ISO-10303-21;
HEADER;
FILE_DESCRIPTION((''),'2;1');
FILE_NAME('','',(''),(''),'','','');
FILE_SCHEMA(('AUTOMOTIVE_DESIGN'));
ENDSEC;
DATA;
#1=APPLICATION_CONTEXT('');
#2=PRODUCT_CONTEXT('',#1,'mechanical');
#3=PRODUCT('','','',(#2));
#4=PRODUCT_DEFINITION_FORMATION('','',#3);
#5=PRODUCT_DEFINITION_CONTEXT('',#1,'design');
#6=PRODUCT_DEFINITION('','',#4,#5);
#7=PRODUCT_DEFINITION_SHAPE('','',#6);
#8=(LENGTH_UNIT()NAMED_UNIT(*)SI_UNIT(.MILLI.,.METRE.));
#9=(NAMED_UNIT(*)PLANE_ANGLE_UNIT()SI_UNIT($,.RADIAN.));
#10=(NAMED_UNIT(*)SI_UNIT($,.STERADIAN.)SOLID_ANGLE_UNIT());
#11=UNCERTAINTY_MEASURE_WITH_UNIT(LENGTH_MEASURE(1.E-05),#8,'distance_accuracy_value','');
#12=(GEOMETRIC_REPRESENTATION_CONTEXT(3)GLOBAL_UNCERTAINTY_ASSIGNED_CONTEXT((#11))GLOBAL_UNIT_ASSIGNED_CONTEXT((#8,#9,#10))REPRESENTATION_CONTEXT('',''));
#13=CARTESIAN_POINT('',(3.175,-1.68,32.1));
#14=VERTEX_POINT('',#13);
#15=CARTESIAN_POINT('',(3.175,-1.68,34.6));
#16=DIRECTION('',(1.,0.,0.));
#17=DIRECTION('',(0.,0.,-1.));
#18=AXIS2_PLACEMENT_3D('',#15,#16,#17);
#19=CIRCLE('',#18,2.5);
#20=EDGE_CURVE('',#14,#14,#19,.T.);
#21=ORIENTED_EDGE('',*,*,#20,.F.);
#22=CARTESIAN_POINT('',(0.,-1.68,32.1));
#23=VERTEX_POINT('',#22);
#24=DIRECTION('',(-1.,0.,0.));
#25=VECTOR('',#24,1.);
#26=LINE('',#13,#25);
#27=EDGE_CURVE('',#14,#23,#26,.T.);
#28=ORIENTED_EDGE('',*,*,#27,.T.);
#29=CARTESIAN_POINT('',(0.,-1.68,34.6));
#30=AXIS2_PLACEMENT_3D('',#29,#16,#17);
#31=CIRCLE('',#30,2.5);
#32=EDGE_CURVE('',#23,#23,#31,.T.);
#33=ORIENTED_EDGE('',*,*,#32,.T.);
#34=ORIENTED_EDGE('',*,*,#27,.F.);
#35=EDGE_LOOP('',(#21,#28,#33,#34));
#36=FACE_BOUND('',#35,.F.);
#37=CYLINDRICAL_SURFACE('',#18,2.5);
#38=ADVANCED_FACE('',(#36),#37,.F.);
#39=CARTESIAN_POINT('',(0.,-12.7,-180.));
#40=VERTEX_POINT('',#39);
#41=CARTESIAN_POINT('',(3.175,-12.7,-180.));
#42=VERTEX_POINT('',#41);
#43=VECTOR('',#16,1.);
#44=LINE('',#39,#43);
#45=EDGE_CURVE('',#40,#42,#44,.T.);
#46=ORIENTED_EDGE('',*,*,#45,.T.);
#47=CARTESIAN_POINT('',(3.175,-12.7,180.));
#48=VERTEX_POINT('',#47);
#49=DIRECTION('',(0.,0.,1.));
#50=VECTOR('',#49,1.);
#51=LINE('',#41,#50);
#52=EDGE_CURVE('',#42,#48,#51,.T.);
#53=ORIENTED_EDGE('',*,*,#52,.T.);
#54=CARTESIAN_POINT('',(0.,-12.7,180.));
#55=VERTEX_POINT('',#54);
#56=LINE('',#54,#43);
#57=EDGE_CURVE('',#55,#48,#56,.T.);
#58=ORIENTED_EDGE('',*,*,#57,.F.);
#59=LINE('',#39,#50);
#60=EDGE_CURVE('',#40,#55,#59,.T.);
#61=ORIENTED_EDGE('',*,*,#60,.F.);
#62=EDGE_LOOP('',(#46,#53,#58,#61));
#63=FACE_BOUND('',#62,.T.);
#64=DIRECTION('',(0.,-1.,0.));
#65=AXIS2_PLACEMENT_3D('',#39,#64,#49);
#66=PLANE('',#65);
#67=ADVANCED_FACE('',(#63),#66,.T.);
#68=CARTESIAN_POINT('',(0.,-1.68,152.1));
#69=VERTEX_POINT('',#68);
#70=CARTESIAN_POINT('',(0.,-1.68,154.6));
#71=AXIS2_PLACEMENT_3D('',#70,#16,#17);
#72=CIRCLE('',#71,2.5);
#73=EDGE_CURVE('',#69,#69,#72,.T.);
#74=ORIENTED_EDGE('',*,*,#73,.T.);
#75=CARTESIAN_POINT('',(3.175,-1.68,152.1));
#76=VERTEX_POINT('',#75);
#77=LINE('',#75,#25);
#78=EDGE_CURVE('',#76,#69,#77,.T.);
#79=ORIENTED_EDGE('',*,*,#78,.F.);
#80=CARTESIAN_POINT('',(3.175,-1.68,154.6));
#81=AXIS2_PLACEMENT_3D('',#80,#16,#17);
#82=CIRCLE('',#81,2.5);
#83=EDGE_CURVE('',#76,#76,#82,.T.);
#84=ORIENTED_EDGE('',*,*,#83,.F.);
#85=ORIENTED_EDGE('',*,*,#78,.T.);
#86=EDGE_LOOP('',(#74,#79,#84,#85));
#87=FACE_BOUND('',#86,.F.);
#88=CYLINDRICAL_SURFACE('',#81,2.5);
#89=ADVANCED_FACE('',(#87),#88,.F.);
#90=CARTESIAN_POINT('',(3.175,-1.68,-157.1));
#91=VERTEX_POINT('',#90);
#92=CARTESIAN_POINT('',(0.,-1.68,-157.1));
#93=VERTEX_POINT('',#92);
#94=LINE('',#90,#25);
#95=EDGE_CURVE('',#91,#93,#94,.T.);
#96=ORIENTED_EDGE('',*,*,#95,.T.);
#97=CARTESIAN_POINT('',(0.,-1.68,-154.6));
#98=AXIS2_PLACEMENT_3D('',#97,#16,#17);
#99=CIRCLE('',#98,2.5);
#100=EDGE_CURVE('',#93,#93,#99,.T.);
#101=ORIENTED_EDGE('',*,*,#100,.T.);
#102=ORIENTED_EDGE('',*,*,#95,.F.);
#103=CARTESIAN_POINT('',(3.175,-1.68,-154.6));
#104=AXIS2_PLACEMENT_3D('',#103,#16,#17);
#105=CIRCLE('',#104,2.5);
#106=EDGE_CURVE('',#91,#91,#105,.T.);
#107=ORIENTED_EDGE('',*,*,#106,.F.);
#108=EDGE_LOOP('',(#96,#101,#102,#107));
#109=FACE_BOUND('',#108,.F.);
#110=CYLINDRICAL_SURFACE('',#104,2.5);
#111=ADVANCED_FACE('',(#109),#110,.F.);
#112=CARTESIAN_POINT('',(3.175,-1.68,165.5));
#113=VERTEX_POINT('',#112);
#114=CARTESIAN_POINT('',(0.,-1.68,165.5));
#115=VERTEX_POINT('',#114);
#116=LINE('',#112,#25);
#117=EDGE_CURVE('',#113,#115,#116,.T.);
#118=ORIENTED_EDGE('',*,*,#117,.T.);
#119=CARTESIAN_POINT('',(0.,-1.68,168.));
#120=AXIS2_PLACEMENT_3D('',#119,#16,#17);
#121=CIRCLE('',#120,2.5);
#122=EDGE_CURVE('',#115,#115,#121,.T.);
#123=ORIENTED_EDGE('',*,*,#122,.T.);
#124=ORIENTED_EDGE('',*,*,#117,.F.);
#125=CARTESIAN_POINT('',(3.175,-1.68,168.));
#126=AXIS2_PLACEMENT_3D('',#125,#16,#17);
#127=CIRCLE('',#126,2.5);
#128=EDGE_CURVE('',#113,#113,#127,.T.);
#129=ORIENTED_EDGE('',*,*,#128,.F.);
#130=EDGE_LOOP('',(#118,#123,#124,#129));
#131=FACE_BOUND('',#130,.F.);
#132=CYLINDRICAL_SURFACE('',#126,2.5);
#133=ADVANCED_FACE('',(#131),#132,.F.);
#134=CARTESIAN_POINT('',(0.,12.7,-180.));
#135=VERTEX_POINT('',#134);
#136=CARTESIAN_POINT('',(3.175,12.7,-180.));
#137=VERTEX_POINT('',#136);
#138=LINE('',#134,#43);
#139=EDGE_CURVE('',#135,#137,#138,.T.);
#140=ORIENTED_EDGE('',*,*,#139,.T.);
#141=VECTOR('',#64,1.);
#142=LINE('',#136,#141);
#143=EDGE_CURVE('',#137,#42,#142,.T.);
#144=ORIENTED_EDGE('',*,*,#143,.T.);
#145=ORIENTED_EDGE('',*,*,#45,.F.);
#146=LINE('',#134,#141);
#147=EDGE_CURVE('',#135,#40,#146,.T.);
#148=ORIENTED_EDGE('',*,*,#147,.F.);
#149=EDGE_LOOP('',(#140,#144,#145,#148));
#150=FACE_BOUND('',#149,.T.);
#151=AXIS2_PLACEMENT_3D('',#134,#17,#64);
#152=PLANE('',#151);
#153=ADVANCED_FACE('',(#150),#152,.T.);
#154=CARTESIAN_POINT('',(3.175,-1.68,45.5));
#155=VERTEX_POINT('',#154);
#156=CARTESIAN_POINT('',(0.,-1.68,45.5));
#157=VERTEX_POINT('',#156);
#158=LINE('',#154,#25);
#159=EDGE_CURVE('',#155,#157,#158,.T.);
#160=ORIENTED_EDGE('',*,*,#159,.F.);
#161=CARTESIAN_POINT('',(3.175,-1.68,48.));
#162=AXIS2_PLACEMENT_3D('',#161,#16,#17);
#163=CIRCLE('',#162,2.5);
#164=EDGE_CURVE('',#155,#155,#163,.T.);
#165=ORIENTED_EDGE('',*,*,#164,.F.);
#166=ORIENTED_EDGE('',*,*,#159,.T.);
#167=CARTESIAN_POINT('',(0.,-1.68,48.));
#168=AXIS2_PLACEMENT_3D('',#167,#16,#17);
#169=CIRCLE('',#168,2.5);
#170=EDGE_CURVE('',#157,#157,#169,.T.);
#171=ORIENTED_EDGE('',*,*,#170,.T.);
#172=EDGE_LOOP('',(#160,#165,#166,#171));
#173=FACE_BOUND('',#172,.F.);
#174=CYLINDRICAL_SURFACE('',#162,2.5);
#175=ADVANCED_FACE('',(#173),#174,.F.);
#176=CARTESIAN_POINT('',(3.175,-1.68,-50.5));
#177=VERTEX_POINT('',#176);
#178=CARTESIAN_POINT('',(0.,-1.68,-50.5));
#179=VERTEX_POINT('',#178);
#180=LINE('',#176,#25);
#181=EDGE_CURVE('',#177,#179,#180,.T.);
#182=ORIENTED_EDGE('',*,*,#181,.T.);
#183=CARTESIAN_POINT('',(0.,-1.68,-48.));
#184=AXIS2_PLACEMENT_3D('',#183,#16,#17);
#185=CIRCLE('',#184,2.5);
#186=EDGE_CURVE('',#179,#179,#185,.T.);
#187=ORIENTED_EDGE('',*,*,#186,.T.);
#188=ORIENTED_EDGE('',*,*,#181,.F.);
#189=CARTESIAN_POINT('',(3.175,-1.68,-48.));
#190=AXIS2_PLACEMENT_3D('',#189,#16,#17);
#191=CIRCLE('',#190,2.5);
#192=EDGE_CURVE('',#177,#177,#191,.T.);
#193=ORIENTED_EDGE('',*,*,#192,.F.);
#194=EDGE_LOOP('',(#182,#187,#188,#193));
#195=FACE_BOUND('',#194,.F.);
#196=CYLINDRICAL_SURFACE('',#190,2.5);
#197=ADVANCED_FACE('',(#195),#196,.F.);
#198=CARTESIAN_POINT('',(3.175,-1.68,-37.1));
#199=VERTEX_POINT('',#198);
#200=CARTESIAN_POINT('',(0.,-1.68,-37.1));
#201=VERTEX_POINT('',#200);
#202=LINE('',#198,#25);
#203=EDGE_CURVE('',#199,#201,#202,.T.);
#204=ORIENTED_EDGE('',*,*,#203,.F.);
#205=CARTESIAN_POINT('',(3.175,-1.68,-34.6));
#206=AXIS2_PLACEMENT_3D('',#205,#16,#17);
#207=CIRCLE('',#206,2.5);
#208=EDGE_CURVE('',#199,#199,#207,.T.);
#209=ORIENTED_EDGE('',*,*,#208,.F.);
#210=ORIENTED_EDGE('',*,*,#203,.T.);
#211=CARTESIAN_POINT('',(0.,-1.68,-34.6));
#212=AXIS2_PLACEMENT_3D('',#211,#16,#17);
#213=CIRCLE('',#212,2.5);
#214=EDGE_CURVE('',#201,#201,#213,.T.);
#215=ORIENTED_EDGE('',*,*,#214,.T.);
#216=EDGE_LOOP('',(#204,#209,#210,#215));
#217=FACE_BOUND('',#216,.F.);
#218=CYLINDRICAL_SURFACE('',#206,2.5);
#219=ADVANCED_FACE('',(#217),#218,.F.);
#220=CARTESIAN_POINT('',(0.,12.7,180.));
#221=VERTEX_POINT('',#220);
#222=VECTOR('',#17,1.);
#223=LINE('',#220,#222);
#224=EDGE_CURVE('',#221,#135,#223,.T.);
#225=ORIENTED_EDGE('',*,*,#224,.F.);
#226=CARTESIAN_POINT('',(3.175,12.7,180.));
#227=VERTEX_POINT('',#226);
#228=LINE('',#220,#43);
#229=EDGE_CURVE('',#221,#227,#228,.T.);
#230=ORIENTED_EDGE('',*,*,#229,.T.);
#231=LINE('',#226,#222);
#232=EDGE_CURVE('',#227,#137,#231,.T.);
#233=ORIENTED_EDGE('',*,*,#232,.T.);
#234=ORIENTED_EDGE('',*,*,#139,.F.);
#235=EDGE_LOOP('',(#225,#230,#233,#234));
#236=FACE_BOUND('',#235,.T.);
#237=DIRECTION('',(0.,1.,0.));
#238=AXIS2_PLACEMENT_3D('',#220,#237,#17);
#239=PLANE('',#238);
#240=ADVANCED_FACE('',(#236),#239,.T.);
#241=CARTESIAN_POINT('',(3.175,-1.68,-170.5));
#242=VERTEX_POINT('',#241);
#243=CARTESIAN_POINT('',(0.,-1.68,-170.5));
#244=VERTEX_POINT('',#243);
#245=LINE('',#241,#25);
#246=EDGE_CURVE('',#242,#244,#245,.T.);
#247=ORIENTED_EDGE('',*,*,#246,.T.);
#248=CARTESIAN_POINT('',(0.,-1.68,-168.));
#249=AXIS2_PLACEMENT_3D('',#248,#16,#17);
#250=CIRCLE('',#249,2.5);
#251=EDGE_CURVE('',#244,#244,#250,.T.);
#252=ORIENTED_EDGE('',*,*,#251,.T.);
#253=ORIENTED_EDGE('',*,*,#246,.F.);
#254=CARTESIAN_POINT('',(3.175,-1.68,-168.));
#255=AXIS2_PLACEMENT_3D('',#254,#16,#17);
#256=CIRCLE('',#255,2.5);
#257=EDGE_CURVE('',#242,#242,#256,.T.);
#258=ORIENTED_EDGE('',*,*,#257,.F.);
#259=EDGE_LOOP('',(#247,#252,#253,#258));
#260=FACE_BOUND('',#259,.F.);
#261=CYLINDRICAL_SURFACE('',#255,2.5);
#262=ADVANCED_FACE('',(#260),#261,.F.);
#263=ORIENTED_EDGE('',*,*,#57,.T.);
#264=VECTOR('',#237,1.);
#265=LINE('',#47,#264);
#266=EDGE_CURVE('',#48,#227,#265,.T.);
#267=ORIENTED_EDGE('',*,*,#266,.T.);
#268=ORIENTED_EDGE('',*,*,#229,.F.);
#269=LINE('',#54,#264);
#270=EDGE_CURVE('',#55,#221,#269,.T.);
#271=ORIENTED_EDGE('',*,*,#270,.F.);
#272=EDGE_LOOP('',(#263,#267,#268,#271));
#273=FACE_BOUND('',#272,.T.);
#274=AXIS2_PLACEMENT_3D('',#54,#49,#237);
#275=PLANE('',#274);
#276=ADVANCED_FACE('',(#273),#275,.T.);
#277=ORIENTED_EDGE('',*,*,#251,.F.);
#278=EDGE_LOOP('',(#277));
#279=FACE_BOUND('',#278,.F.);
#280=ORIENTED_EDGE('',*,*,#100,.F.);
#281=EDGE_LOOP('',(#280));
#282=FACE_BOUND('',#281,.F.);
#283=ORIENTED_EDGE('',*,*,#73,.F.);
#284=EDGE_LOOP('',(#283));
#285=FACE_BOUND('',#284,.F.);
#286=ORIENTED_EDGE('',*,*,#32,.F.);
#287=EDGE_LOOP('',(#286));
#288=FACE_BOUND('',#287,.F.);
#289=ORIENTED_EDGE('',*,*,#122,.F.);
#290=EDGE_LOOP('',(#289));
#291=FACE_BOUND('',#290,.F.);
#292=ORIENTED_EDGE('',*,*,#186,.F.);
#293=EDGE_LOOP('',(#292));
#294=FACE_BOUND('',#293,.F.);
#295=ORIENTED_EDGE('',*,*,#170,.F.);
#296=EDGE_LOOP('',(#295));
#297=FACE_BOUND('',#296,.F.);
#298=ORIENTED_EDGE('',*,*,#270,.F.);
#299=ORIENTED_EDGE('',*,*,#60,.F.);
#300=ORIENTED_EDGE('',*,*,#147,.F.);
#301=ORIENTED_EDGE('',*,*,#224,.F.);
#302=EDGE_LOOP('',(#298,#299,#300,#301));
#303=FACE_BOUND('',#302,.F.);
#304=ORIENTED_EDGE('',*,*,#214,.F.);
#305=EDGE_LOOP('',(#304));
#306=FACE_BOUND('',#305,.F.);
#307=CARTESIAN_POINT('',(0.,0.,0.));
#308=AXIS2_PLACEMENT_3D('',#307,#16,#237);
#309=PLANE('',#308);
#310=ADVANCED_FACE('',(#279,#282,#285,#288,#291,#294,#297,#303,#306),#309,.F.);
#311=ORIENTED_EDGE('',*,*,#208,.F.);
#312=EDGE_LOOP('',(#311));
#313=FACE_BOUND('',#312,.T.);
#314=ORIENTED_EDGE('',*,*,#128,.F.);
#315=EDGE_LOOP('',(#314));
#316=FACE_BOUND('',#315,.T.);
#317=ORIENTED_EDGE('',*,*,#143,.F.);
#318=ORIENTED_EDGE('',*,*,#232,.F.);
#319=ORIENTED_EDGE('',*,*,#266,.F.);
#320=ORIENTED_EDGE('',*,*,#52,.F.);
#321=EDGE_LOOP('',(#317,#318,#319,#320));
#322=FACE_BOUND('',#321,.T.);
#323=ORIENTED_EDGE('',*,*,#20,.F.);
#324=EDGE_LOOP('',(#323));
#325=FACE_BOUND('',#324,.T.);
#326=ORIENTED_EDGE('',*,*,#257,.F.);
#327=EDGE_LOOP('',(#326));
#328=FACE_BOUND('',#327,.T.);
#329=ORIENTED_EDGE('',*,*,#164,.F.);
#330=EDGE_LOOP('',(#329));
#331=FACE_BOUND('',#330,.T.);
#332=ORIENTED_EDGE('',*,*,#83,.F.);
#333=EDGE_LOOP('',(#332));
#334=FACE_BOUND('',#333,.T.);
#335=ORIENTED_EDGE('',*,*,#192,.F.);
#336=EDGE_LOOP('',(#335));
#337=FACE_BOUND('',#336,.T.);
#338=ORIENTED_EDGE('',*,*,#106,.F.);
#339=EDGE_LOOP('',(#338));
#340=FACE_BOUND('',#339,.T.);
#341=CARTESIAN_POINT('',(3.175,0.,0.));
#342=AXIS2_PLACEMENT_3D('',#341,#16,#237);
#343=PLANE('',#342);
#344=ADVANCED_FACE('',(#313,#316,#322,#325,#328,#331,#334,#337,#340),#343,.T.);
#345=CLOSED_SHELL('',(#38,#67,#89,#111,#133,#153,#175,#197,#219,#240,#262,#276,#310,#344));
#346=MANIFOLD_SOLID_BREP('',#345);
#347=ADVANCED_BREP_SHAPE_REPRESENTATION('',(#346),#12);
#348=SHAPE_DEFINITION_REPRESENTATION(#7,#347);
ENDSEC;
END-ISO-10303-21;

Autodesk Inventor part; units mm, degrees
ref_plane "YZ Plane" through (0, 0, 0) normal (1, 0, 0) x (0, 1, 0)
ref_plane "XZ Plane" through (0, 0, 0) normal (0, 1, 0) x (-1, 0, 0)
ref_plane "XY Plane" through (0, 0, 0) normal (0, 0, 1) x (1, 0, 0)
sketch "Sketch1" plane through (0, 0, 0) normal (1, 0, 0) x (0, 1, 0)
  line L0 (-12.7, 180) -> (12.7, 180)
  line L1 (12.7, 180) -> (12.7, -180)
  line L2 (12.7, -180) -> (-12.7, -180)
  line L3 (-12.7, -180) -> (-12.7, 180)
  line L4 (-12.7, 180) -> (12.7, -180) construction
  line L5 (12.7, 180) -> (-12.7, -180) construction
  point P0 (0, 0)
  dimension "d0" = 25.4
  dimension "d1" = 360
extrude "Extrusion1" add sketch "Sketch1" along normal blind 3.175
sketch "Sketch2" plane through (3.175, 0, 0) normal (1, 0, 0) x (0, 0, -1)
  line L0 (180, -12.7) -> (180, 12.7) projected
  line L1 (180, 12.7) -> (-180, 12.7) projected
  line L2 (-180, 12.7) -> (-180, -12.7) projected
  line L3 (-180, -12.7) -> (180, -12.7) projected
  circle A0 centre (-168, -1.68) radius 2.5
  line L4 (180, 12.7) -> (-180, 12.7) projected
  line L5 (0, 12.7) -> (0, -12.7)
  circle A1 centre (168, -1.68) radius 2.5
  circle A2 centre (-154.6, -1.68) radius 2.5
  circle A3 centre (154.6, -1.68) radius 2.5
  point P0 (0, 0)
  dimension "d4" = 5
  dimension "d5" = 14.38
  dimension "d6" = 12
  dimension "d9" = 13.4
extrude "Extrusion2" cut sketch "Sketch2" against normal through all contours A0 | A1 | A2 | A3
sketch "Sketch3" plane through (3.175, 0, 0) normal (1, 0, 0) x (0, 0, -1)
  circle A0 centre (-168, -1.68) radius 2.5 projected
  circle A1 centre (154.6, -1.68) radius 2.5 projected
  circle A2 centre (168, -1.68) radius 2.5 projected
  circle A3 centre (-154.6, -1.68) radius 2.5 projected
  line L0 (180, -12.7) -> (180, 12.7) projected
  line L1 (180, 12.7) -> (-180, 12.7) projected
  line L2 (-180, 12.7) -> (-180, -12.7) projected
  line L3 (-180, -12.7) -> (180, -12.7) projected
  circle A4 centre (-168, -1.68) radius 2.5
  circle A5 centre (-154.6, -1.68) radius 2.5
  circle A6 centre (-48, -1.68) radius 2.5
  circle A7 centre (-34.6, -1.68) radius 2.5
  line L4 (0, 0) -> (0, 12.7)
  circle A8 centre (48, -1.68) radius 2.5
  circle A9 centre (34.6, -1.68) radius 2.5
  dimension "d12" = 120
extrude "Extrusion3" cut sketch "Sketch3" against normal through all contours A6 | A7 | A8 | A9
properties part number "PLENTINA_CANALETA_MOVIL" material "Steel, Mild, Welded"
